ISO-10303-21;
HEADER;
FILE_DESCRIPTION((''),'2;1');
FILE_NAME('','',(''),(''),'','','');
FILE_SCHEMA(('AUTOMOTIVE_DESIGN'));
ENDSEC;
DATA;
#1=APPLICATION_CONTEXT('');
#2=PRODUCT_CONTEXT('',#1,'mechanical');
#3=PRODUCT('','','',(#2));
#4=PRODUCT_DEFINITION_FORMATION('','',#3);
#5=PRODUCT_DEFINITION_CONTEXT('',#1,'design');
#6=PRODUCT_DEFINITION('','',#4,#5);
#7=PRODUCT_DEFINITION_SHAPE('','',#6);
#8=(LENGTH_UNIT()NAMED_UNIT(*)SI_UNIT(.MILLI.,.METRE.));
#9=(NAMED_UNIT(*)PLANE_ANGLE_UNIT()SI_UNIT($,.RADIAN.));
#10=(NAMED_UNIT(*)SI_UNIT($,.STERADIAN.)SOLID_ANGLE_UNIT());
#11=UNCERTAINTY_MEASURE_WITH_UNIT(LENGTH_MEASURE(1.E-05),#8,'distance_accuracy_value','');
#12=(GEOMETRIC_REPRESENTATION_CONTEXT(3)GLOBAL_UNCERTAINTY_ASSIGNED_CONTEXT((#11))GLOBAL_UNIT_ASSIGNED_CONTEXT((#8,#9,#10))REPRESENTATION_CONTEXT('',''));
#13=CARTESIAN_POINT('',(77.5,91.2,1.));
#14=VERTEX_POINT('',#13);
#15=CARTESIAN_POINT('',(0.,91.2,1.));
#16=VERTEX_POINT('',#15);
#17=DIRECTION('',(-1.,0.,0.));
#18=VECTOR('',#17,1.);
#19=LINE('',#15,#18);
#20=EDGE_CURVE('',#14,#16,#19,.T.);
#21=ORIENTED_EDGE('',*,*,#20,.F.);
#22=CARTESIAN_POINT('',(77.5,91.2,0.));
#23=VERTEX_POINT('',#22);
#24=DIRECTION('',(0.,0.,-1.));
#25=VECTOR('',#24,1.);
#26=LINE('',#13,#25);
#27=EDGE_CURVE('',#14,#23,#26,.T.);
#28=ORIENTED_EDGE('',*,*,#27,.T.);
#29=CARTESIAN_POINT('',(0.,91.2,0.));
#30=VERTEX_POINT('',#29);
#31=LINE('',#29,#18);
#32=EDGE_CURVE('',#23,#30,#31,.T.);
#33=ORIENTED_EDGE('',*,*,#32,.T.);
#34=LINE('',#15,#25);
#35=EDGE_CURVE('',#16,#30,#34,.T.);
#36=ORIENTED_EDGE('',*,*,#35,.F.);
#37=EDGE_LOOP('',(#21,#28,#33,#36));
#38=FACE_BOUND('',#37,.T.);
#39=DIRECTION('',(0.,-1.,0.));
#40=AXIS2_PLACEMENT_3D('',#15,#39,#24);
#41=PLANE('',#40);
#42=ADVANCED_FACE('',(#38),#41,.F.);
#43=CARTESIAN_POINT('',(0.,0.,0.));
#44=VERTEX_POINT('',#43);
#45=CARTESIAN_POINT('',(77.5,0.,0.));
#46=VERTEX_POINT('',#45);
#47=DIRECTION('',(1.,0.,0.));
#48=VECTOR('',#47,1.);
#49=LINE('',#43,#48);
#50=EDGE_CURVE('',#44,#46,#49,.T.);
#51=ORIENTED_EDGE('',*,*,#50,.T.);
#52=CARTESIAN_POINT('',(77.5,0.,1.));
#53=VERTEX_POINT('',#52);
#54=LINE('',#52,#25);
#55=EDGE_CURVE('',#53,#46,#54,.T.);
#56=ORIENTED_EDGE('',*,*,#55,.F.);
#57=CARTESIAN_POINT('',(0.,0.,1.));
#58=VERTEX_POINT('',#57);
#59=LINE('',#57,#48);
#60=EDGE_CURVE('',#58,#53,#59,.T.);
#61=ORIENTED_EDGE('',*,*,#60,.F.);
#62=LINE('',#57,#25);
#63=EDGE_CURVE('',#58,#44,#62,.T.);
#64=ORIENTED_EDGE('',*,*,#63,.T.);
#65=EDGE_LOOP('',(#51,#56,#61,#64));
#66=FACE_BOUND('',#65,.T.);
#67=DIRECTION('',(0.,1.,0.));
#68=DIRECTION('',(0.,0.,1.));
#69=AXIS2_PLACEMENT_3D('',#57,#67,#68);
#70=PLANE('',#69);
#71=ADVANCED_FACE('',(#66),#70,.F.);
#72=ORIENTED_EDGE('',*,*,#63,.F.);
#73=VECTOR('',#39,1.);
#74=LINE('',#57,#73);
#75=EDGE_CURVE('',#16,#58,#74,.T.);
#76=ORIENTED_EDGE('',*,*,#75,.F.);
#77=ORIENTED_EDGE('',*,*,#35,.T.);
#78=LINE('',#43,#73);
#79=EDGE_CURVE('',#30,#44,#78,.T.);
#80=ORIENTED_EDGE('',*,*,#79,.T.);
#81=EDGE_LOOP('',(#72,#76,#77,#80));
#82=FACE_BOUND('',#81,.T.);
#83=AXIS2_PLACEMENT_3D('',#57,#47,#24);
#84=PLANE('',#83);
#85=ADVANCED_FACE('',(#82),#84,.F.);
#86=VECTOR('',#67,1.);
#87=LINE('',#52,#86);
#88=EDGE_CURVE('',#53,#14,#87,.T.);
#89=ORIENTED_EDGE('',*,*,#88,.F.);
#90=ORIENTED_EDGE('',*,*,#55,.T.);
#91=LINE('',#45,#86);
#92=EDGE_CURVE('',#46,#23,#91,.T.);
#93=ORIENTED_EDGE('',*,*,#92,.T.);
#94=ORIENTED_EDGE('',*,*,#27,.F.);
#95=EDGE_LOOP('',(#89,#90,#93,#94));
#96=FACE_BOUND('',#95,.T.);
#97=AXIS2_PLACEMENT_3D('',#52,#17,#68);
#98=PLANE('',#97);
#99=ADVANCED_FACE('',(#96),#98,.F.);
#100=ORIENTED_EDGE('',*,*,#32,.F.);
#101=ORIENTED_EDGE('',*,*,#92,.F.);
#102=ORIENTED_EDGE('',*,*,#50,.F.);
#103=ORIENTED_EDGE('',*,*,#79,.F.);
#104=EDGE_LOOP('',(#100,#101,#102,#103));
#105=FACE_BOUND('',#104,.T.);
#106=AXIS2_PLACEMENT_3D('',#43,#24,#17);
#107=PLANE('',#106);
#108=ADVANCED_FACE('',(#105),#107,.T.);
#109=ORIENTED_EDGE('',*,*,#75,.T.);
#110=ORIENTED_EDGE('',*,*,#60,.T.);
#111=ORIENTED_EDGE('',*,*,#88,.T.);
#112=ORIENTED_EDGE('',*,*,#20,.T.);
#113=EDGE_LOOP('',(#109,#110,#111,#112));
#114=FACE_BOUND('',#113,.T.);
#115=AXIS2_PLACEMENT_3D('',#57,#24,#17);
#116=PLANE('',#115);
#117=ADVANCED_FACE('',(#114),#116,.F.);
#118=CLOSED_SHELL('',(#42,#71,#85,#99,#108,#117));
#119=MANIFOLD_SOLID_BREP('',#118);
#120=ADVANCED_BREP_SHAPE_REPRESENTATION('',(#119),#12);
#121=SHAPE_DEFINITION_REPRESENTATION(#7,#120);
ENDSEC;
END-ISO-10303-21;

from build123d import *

# Parameters (mm, degrees)
ESQUISSE1_W        = 77.5
ESQUISSE1_H        = 91.2
BOSS_EXTRU_1_DEPTH = 1


with BuildPart() as part:
    # Esquisse1 → Boss.-Extru.1 (new body)
    with BuildSketch(Plane.XY):
        with Locations((38.75, 45.6)):
            Rectangle(ESQUISSE1_W, ESQUISSE1_H)
    extrude(amount=BOSS_EXTRU_1_DEPTH)


solid = part.part
